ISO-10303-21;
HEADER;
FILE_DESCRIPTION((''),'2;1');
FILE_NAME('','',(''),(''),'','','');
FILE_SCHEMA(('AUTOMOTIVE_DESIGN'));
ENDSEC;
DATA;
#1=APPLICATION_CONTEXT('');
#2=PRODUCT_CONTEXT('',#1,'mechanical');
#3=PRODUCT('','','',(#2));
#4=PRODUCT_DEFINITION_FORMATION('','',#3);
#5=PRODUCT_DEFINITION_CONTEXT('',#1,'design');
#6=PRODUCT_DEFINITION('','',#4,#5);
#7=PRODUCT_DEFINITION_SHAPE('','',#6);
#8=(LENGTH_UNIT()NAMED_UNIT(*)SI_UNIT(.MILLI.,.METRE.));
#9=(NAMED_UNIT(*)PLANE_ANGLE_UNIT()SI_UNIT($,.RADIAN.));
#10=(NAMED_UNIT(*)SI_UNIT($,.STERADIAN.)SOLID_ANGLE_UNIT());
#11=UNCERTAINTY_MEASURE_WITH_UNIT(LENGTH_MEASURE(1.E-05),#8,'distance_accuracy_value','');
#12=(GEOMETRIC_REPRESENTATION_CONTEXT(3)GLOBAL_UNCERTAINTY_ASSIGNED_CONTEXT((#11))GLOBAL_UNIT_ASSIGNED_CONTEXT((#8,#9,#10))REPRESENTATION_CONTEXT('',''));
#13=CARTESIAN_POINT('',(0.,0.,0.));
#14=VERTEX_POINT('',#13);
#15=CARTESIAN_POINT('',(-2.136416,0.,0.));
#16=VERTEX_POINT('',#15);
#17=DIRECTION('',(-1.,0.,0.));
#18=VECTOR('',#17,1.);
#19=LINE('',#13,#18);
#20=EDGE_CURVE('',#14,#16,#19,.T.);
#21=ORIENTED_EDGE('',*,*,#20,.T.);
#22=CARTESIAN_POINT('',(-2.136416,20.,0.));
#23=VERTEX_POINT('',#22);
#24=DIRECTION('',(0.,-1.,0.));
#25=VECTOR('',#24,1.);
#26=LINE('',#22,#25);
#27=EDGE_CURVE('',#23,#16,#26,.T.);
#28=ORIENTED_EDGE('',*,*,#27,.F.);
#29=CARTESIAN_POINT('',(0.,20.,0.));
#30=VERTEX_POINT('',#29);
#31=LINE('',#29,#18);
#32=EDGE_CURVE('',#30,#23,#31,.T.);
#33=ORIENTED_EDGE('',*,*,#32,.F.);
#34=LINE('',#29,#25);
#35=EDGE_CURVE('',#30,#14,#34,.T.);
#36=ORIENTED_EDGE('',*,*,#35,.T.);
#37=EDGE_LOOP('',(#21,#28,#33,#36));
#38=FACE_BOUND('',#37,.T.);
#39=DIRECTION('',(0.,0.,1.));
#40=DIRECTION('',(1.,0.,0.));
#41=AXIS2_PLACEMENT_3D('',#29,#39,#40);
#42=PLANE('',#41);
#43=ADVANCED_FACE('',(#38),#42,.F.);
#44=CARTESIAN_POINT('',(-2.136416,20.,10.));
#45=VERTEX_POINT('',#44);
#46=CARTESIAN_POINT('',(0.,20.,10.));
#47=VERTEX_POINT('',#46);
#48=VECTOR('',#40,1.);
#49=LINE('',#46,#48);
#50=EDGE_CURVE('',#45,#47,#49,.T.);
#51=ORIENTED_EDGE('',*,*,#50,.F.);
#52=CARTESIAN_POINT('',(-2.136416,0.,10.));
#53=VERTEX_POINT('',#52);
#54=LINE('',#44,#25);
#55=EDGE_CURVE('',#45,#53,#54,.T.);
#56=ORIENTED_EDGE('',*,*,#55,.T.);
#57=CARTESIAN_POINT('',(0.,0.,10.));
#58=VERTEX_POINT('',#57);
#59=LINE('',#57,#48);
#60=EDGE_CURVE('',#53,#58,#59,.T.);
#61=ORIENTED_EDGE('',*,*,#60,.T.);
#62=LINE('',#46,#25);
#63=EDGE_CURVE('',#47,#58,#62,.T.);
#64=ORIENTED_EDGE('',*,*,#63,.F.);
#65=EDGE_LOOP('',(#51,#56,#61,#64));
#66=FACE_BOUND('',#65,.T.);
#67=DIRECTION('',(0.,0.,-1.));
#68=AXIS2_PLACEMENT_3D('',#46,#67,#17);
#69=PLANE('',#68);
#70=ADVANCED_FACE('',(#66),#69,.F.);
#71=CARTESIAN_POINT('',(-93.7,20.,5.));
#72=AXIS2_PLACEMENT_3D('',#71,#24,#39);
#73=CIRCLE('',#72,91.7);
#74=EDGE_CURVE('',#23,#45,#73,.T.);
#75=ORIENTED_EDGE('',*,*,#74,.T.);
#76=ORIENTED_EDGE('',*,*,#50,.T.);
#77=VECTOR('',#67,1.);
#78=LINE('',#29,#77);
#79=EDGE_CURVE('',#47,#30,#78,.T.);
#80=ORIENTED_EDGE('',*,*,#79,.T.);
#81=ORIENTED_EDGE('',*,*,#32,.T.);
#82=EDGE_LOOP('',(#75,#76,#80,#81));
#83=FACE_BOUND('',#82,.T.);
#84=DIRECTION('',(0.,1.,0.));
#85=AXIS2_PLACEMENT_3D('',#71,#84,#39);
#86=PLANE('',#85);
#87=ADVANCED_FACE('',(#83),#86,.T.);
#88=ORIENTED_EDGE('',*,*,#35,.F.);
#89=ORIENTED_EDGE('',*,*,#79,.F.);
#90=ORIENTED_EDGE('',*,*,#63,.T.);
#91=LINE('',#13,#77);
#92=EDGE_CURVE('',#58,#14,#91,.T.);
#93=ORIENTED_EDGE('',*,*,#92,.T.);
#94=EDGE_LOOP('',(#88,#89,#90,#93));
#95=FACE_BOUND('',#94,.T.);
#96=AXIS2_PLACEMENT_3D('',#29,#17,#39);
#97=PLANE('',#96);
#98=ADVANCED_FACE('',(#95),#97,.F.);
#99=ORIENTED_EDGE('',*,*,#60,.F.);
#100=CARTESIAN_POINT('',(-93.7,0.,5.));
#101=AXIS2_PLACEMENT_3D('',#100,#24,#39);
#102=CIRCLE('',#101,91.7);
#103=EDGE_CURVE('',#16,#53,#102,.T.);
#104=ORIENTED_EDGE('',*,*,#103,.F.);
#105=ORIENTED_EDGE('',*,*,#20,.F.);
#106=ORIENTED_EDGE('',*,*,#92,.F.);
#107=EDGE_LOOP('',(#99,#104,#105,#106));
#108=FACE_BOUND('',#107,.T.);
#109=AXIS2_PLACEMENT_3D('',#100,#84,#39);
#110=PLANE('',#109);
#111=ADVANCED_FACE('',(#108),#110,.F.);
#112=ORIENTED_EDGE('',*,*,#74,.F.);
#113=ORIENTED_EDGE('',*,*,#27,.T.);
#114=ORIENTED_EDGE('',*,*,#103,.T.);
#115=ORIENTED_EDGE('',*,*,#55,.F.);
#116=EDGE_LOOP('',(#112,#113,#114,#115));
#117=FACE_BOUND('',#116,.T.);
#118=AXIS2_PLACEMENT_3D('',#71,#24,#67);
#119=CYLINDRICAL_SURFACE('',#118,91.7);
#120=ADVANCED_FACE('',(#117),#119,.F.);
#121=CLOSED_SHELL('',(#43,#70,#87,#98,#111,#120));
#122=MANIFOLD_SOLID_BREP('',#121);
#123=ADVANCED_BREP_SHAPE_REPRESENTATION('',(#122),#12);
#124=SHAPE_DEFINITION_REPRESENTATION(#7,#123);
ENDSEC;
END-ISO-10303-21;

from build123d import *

# Parameters (mm, degrees)
EXTRUDE_1_DEPTH = 20


with BuildPart() as part:
    # 草图1 → 凸台-拉伸1 (new body)
    with BuildSketch(Plane(origin=(0, 0, 0), x_dir=(1, 0, 0), z_dir=(0, 1, 0))):
        with BuildLine():
            Line((0, 0), (0, -10))
            Line((0, -10), (-2.136415535, -10))
            ThreePointArc((-2.136415535, -10), (-2, -5), (-2.136415535, 0))
            Line((-2.136415535, 0), (0, 0))
        make_face()
    extrude(amount=EXTRUDE_1_DEPTH)


solid = part.part
